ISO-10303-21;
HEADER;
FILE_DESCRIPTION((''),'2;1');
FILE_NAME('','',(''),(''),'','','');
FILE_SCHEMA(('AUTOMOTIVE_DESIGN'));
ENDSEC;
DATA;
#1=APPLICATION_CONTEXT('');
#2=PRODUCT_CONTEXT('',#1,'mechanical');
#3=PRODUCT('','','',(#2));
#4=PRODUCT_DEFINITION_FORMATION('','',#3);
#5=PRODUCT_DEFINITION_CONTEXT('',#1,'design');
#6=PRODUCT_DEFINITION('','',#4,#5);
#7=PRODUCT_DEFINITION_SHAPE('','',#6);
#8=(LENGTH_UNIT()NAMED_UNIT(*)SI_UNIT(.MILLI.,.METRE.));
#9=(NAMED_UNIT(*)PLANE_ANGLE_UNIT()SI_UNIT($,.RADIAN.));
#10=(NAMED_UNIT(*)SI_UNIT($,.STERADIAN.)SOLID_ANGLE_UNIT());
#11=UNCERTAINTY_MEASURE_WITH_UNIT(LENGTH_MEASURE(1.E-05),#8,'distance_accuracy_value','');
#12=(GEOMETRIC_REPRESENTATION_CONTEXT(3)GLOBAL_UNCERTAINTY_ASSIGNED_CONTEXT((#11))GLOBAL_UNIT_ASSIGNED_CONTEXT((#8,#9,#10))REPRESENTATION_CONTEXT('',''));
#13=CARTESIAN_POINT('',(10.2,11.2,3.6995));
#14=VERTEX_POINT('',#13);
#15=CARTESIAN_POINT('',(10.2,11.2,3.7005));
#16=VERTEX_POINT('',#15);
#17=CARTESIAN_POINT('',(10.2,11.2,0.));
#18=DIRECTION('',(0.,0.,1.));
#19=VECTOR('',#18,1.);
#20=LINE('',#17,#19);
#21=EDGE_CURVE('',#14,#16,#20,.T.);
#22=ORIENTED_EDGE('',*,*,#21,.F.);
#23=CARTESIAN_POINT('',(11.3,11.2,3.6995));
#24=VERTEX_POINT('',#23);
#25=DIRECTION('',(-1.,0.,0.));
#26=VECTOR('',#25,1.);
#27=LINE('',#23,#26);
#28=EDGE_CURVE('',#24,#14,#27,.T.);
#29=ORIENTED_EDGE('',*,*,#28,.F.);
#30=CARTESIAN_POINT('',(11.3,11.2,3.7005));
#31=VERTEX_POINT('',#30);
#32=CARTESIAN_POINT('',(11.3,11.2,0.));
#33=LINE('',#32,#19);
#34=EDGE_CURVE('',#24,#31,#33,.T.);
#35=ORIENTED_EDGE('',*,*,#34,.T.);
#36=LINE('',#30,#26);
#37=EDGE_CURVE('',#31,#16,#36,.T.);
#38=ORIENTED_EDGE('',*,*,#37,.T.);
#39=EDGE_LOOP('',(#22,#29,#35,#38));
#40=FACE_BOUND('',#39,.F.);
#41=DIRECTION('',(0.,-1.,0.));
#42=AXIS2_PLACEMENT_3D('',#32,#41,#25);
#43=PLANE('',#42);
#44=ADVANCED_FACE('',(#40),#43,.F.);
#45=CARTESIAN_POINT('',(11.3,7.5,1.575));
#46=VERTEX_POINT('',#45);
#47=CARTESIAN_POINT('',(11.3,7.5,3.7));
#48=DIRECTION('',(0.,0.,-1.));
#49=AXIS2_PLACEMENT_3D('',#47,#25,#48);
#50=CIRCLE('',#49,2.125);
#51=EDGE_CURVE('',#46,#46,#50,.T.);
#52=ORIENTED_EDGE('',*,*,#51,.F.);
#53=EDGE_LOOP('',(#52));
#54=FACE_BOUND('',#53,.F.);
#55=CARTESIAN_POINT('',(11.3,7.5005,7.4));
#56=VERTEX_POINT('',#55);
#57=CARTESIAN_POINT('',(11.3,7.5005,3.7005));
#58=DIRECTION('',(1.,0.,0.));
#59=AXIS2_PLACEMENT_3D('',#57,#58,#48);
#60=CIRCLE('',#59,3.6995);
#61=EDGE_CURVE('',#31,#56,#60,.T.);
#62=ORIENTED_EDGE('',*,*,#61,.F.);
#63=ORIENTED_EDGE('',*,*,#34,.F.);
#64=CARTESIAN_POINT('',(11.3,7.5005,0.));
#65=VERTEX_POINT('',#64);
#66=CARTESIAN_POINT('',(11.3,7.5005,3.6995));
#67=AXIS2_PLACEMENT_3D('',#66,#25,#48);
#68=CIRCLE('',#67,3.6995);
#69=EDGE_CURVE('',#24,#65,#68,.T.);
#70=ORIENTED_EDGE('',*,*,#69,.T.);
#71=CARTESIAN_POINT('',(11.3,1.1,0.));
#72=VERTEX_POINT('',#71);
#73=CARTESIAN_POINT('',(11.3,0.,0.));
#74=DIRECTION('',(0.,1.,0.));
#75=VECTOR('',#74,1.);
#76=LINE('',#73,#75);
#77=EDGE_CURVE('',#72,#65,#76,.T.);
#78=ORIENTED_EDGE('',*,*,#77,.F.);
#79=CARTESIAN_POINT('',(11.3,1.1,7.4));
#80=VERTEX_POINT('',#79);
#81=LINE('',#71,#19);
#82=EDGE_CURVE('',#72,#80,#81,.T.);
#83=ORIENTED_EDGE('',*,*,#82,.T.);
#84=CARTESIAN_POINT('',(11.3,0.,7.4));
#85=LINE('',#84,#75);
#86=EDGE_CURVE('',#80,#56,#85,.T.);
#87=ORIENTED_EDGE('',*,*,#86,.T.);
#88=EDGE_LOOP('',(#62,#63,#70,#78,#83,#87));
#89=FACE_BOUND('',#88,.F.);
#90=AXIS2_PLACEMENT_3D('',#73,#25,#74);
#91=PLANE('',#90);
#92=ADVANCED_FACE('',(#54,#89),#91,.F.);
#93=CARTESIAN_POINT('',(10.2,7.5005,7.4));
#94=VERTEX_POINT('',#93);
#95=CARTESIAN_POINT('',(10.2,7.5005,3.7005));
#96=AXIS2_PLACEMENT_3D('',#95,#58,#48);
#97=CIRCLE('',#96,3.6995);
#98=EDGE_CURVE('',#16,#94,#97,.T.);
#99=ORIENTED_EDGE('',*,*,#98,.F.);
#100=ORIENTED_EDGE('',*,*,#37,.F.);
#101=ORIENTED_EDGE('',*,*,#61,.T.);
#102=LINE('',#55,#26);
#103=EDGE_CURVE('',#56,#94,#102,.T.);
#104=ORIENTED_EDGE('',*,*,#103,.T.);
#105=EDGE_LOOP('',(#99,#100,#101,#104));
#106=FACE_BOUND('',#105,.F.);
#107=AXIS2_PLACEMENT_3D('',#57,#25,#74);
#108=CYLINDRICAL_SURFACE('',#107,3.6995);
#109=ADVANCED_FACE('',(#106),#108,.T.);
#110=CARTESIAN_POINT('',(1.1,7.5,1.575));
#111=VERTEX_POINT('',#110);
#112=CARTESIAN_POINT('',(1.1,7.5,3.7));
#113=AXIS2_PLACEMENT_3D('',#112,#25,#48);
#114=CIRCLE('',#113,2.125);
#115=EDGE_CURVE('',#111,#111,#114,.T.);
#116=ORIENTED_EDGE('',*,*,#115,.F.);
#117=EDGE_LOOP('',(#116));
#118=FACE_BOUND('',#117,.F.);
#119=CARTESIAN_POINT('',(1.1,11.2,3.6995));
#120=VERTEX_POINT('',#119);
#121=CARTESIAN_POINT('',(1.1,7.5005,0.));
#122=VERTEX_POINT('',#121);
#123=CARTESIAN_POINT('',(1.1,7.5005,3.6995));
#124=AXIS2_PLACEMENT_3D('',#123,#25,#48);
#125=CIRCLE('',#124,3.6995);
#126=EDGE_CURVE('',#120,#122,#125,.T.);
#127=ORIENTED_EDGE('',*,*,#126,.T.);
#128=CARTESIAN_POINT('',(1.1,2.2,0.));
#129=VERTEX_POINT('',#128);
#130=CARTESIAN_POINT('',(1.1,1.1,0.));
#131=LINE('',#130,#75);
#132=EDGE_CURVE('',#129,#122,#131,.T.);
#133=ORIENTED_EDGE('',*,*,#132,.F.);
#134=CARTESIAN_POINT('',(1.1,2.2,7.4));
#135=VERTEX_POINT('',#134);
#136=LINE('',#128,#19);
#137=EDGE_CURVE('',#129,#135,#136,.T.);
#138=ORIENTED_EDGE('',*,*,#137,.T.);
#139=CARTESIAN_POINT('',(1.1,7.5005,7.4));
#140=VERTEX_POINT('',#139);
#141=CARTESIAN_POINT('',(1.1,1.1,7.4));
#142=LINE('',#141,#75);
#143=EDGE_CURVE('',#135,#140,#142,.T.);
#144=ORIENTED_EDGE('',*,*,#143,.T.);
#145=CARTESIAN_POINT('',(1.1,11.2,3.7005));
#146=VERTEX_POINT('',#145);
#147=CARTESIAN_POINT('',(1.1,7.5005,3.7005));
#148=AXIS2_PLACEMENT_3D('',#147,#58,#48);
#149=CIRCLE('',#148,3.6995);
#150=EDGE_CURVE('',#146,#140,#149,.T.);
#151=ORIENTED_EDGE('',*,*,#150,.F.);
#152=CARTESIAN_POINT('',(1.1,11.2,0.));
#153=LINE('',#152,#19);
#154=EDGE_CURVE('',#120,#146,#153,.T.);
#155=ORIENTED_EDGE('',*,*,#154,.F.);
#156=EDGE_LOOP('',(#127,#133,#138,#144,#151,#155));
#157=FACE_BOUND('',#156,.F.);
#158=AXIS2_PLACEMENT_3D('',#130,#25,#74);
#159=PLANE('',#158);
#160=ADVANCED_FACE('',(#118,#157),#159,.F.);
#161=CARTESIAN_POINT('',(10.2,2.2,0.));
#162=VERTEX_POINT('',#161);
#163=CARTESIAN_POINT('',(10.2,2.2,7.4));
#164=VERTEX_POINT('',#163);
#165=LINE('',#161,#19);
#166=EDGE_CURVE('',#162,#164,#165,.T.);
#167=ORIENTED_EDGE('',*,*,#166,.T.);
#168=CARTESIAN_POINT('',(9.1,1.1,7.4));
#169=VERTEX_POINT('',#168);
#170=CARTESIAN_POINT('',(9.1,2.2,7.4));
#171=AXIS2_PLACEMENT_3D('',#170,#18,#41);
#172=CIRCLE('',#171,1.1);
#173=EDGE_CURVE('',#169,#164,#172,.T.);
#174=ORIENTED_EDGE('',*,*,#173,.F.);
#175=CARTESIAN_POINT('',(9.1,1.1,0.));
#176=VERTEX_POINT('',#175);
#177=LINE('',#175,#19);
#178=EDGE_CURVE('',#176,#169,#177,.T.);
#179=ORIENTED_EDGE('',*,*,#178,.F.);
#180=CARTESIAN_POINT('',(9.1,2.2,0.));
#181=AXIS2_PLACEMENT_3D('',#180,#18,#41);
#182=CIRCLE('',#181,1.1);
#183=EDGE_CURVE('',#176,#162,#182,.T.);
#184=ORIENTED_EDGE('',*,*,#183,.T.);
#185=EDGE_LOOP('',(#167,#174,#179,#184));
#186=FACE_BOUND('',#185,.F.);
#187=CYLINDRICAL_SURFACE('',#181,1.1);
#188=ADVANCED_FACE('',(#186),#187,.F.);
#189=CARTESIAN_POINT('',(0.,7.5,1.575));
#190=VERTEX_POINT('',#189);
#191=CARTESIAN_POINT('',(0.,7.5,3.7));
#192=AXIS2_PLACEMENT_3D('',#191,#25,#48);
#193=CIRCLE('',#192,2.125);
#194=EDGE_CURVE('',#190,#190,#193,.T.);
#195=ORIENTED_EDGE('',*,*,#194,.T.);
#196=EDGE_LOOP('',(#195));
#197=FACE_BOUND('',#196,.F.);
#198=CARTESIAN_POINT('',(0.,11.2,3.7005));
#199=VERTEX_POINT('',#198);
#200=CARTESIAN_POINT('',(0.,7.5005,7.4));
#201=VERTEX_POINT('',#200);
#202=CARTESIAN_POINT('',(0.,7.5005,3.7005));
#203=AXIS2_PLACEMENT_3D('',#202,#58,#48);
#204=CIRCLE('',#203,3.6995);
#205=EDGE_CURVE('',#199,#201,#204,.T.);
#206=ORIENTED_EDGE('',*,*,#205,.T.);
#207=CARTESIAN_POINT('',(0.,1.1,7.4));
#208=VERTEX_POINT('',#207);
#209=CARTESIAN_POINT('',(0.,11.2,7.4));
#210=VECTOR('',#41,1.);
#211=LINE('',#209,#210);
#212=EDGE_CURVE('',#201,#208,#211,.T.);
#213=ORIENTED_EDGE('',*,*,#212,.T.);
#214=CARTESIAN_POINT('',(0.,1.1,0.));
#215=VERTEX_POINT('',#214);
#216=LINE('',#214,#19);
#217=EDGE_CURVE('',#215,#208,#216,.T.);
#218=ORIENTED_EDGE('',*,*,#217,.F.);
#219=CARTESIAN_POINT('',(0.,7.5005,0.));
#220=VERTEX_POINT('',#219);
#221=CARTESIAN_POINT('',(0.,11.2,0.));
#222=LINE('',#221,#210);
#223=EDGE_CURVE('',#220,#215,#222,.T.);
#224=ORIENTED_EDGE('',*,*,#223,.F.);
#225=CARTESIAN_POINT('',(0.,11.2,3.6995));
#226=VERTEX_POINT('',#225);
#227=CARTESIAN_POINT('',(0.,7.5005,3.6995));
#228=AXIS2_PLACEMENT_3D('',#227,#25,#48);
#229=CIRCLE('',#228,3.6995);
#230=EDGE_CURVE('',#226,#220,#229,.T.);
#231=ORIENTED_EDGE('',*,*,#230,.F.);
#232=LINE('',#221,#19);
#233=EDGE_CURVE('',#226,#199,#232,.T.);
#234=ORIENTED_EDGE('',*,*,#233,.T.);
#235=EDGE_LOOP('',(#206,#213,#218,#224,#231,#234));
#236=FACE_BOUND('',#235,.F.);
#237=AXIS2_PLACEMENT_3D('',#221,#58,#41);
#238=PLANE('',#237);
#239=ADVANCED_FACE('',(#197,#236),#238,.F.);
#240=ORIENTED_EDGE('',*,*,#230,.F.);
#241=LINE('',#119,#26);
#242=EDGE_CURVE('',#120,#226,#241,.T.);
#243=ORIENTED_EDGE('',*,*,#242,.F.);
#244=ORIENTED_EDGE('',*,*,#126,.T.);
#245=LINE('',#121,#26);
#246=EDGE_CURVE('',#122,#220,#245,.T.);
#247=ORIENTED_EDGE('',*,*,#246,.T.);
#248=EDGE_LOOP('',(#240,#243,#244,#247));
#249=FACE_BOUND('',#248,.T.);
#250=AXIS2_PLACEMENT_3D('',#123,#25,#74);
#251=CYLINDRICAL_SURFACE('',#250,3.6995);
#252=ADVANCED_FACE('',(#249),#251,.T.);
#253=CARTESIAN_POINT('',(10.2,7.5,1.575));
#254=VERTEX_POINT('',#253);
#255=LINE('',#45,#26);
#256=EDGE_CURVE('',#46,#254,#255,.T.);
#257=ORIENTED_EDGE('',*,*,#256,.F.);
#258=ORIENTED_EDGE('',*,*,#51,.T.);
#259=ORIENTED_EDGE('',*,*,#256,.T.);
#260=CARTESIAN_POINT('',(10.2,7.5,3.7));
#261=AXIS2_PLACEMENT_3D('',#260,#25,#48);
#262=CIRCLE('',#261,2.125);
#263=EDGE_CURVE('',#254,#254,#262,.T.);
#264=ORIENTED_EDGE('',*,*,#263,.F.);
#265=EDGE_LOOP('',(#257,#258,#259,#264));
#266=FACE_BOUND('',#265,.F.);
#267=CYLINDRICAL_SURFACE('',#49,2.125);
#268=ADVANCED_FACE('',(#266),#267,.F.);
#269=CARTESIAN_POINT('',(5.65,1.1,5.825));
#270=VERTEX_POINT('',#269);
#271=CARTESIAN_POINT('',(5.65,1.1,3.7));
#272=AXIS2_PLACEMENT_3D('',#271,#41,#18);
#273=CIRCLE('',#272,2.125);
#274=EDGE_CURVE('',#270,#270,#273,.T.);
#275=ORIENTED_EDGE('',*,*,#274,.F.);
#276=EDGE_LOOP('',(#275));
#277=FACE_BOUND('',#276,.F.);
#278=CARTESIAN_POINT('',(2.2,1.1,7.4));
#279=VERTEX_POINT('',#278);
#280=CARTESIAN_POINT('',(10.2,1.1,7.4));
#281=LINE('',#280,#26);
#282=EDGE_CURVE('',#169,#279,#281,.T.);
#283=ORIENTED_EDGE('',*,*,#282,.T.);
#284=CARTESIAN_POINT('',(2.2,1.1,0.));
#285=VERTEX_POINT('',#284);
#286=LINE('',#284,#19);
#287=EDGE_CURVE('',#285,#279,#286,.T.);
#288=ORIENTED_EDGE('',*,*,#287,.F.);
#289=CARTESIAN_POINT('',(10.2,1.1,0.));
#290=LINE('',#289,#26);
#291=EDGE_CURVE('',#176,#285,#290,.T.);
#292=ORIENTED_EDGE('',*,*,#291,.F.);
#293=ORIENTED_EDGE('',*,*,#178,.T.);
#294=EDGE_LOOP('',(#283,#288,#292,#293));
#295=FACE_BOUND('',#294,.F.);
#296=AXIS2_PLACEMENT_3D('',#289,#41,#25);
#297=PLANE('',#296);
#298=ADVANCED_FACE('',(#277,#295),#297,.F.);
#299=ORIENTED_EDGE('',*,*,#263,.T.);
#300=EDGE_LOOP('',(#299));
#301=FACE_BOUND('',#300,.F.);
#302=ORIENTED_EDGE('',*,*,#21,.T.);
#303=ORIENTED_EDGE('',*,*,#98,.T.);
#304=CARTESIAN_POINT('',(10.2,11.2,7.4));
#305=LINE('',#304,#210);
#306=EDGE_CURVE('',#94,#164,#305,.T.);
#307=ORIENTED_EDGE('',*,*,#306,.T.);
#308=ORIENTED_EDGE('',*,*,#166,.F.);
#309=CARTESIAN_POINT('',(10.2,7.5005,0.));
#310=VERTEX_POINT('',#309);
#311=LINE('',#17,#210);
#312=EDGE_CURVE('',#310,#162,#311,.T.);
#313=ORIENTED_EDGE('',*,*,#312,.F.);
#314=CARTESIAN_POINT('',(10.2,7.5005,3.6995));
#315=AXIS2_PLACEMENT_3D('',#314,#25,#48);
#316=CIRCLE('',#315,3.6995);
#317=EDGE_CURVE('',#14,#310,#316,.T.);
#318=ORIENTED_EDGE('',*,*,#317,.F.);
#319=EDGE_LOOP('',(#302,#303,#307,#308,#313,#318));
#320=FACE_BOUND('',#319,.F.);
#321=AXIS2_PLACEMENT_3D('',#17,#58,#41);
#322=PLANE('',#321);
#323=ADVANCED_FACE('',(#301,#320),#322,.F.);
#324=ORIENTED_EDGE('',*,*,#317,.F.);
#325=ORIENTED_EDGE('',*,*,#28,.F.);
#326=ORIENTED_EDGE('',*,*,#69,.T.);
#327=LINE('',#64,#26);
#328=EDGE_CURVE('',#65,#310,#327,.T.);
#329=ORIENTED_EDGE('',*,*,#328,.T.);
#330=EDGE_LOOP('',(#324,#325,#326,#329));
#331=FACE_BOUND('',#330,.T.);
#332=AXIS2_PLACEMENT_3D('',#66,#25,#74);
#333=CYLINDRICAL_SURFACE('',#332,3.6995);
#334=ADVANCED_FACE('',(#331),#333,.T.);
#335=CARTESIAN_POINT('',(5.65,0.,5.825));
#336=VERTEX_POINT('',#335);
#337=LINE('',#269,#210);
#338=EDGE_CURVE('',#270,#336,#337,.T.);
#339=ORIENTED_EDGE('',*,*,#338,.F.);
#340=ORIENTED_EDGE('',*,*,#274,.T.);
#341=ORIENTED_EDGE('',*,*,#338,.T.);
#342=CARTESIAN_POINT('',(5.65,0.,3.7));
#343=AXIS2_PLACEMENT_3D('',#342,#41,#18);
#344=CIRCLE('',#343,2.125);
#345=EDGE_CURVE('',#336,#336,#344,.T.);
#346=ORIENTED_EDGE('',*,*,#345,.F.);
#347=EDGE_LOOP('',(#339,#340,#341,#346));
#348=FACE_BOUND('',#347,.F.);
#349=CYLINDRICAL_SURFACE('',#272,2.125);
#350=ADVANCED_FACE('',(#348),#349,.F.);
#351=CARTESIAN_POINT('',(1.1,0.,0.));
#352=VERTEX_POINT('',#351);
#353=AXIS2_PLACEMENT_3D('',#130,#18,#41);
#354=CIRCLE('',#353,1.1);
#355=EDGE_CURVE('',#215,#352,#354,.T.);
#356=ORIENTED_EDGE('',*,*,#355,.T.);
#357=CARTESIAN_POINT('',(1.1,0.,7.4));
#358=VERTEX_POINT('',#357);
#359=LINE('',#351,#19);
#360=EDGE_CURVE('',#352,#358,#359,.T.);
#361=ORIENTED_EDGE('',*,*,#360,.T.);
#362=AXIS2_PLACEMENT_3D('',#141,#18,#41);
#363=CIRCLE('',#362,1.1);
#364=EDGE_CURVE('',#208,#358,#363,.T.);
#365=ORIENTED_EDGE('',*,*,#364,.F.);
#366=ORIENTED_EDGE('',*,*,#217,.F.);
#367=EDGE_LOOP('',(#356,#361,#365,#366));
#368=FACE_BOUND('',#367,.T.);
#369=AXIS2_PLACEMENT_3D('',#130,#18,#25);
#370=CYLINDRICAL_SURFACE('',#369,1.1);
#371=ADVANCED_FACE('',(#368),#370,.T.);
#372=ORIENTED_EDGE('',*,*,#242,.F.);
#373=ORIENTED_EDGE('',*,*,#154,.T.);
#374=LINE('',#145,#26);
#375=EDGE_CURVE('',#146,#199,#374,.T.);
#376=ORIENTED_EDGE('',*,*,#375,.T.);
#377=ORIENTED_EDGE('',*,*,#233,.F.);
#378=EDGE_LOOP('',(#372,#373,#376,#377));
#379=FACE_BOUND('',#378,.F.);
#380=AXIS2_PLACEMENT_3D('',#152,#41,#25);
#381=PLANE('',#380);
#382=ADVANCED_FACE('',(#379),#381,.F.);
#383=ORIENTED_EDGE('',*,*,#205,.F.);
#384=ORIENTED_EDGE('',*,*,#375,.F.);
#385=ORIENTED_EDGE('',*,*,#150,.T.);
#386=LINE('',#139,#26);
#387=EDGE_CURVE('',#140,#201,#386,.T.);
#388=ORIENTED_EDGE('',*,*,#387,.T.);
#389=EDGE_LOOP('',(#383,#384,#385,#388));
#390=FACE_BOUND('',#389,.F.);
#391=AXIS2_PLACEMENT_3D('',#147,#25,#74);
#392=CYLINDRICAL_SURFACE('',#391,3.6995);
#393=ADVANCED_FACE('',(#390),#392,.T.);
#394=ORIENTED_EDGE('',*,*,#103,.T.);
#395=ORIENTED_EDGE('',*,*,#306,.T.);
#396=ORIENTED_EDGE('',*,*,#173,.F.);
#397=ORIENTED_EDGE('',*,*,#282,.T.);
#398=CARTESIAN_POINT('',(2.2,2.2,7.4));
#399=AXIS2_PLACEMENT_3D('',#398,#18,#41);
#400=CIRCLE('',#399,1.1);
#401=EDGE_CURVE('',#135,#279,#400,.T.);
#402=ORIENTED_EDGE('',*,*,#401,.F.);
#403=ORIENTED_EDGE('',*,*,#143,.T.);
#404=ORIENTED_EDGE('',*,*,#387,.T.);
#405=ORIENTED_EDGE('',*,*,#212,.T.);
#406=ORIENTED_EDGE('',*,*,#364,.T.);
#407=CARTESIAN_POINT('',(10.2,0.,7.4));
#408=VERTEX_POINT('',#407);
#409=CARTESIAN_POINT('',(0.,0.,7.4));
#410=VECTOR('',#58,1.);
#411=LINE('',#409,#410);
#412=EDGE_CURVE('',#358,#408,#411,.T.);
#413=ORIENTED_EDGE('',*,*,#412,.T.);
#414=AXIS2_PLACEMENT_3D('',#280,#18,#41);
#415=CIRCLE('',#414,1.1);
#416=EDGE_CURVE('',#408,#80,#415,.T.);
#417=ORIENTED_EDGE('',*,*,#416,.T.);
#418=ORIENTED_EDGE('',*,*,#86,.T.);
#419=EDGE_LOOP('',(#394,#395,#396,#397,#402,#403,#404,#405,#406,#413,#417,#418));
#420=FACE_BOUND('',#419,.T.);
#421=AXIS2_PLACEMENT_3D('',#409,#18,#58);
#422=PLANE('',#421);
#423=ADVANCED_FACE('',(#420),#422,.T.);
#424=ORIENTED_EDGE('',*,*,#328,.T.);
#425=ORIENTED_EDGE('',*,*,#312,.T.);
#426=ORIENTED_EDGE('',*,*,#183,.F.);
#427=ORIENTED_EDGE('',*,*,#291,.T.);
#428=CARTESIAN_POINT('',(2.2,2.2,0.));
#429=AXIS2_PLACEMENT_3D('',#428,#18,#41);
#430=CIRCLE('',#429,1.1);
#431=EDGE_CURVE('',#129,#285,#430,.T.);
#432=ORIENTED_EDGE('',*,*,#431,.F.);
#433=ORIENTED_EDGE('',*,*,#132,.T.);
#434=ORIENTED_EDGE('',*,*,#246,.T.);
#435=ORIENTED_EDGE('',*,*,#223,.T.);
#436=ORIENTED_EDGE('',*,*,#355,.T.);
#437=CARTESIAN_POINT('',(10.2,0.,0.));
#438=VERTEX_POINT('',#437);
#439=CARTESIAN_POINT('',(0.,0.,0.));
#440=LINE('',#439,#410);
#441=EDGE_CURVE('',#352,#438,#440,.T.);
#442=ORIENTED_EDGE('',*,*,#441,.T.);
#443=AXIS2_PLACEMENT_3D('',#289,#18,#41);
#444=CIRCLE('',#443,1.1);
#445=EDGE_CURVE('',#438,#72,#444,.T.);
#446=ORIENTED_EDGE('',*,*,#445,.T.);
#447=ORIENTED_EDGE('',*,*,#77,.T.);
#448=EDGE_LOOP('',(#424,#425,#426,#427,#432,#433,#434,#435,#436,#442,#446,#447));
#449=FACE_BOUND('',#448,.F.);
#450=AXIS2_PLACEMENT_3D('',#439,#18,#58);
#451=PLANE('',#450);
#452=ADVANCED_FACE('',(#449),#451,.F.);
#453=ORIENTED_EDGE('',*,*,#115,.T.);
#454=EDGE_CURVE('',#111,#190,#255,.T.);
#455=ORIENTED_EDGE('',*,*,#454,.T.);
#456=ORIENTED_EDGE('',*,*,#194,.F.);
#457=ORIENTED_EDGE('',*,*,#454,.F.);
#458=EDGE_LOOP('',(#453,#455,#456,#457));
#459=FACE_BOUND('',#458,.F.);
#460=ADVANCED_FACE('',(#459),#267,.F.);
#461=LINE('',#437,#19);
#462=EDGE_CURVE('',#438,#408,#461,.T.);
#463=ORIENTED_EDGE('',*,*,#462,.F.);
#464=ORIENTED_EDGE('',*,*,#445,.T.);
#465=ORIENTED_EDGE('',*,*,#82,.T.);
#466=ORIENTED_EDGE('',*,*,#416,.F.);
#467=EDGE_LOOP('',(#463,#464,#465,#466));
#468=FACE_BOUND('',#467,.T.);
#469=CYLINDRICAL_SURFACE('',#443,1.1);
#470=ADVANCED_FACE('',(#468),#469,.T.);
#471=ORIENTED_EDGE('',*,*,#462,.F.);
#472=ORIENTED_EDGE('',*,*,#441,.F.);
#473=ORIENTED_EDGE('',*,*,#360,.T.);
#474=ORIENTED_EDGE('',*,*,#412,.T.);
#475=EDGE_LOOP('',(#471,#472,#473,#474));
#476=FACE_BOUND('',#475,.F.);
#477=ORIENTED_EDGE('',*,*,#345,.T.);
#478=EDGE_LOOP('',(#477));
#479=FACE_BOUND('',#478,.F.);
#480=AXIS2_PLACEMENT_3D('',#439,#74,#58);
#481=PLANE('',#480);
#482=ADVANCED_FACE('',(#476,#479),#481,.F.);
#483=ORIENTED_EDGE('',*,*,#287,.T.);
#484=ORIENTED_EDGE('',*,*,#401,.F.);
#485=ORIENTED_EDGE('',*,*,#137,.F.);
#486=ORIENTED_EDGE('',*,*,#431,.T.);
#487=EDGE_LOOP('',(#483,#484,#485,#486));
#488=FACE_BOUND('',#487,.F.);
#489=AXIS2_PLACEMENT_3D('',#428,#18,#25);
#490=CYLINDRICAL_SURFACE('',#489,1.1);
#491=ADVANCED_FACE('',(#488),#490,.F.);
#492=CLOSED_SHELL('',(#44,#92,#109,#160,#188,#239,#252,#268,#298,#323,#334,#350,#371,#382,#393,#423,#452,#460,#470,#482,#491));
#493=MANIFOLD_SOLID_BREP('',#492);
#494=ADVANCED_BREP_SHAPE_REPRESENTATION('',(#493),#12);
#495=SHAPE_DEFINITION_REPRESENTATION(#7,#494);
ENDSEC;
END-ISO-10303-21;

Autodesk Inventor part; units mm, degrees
ref_plane "YZ Plane" through (0, 0, 0) normal (1, 0, 0) x (0, 1, 0)
ref_plane "XZ Plane" through (0, 0, 0) normal (0, 1, 0) x (-1, 0, 0)
ref_plane "XY Plane" through (0, 0, 0) normal (0, 0, 1) x (1, 0, 0)
sketch "Sketch1" plane through (0, 0, 0) normal (0, 0, 1) x (1, 0, 0)
  line L0 (0, 0) -> (11.3, 0)
  line L1 (11.3, 0) -> (11.3, 11.2)
  line L2 (11.3, 11.2) -> (10.2, 11.2)
  line L3 (10.2, 11.2) -> (10.2, 1.1)
  line L4 (10.2, 1.1) -> (1.1, 1.1)
  line L5 (1.1, 1.1) -> (1.1, 11.2)
  line L6 (1.1, 11.2) -> (0, 11.2)
  line L7 (0, 11.2) -> (0, 0)
  dimension "d0" = 1.1
  dimension "d1" = 1.1
  dimension "d2" = 11.3
  dimension "d3" = 11.2
extrude "Extrusion1" add sketch "Sketch1" along normal blind 7.4
fillet "Fillet1" radius 3.7 4 edges at (10.75, 11.2, 7.4) (10.75, 11.2, 0) (0.55, 11.2, 7.4) (0.55, 11.2, 0)
sketch "Sketch2" plane through (11.3, 0, 7.4) normal (1, 0, 0) x (0, 0, -1)
  line L0 (7.4, 0) -> (0, 0) projected
  point P0 (3.7, 7.5)
  dimension "d14" = 7.5
hole "Hole1" at (11.3, 7.5, 3.7) direction (-1, 0, 0) diameter 4.25 depth 14 tip angle 118
fillet "Fillet2" radius 1.1 4 edges at (1.1, 1.1, 3.7) (0, 0, 3.7) (11.3, 0, 3.7) (10.2, 1.1, 3.7)
sketch "Sketch3" plane through (2.2, 1.1, 0) normal (0, 1, 0) x (1, 0, 0)
  line L0 (6.9, 0) -> (0, 0) projected
  point P0 (-2.2, 0)
  point P1 (3.45, -3.7)
  point P2 (3.45, 0)
hole "Hole2" at (5.65, 1.1, 3.7) direction (0, -1, 0) diameter 4.25 depth 14 tip angle 118
properties part number "Linear Actuator Rear Mount"
